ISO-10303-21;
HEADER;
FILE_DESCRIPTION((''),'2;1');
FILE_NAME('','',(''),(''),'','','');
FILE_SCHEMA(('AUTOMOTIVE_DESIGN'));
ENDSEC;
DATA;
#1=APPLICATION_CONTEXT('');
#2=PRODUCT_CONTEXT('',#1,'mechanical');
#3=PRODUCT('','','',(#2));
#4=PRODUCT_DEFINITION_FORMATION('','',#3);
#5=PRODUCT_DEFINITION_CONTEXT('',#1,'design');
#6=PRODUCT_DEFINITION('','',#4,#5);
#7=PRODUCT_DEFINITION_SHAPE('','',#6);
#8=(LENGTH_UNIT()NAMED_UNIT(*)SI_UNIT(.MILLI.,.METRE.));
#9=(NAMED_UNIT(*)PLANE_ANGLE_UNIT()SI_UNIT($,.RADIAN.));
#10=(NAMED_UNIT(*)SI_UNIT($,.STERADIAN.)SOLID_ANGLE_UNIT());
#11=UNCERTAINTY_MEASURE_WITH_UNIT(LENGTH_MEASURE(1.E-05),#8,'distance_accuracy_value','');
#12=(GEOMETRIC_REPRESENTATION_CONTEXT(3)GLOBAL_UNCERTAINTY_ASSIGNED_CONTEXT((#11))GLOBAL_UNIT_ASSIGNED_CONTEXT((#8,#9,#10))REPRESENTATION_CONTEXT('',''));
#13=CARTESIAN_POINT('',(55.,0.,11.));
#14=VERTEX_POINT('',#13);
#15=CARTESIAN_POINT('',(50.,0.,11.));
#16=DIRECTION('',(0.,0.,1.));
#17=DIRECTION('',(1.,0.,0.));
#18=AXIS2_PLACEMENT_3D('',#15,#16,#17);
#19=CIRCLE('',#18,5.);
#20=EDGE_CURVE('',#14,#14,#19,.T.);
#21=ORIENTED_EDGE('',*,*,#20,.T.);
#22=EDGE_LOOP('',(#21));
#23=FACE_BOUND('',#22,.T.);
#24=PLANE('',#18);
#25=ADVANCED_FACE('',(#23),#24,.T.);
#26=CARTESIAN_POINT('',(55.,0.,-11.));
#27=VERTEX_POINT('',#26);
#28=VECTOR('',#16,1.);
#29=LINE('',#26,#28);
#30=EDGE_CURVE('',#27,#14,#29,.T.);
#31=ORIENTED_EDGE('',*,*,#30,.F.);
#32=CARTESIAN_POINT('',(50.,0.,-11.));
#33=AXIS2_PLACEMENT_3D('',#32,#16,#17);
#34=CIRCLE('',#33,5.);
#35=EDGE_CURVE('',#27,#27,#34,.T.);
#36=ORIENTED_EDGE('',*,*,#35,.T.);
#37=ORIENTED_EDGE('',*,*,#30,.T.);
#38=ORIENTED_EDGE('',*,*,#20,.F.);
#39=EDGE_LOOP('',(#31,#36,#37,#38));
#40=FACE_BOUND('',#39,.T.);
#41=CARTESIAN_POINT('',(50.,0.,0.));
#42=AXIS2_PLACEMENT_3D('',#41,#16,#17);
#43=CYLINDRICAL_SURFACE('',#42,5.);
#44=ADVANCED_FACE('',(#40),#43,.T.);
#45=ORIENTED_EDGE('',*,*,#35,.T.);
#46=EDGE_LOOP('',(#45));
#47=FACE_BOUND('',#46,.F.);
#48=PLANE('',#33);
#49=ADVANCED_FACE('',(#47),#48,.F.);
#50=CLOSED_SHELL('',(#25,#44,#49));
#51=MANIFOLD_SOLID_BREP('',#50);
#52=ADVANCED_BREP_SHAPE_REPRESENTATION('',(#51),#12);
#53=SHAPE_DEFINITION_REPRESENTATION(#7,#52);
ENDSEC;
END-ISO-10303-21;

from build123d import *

# Parameters (mm, degrees)
SKETCH003_R  = 5
PAD002_DEPTH = 11


with BuildPart() as part:
    # Sketch003 → Pad002 (new body, symmetric)
    with BuildSketch(Plane.XY):
        with Locations((50, 0)):
            Circle(SKETCH003_R)
    extrude(amount=PAD002_DEPTH, both=True)


solid = part.part
